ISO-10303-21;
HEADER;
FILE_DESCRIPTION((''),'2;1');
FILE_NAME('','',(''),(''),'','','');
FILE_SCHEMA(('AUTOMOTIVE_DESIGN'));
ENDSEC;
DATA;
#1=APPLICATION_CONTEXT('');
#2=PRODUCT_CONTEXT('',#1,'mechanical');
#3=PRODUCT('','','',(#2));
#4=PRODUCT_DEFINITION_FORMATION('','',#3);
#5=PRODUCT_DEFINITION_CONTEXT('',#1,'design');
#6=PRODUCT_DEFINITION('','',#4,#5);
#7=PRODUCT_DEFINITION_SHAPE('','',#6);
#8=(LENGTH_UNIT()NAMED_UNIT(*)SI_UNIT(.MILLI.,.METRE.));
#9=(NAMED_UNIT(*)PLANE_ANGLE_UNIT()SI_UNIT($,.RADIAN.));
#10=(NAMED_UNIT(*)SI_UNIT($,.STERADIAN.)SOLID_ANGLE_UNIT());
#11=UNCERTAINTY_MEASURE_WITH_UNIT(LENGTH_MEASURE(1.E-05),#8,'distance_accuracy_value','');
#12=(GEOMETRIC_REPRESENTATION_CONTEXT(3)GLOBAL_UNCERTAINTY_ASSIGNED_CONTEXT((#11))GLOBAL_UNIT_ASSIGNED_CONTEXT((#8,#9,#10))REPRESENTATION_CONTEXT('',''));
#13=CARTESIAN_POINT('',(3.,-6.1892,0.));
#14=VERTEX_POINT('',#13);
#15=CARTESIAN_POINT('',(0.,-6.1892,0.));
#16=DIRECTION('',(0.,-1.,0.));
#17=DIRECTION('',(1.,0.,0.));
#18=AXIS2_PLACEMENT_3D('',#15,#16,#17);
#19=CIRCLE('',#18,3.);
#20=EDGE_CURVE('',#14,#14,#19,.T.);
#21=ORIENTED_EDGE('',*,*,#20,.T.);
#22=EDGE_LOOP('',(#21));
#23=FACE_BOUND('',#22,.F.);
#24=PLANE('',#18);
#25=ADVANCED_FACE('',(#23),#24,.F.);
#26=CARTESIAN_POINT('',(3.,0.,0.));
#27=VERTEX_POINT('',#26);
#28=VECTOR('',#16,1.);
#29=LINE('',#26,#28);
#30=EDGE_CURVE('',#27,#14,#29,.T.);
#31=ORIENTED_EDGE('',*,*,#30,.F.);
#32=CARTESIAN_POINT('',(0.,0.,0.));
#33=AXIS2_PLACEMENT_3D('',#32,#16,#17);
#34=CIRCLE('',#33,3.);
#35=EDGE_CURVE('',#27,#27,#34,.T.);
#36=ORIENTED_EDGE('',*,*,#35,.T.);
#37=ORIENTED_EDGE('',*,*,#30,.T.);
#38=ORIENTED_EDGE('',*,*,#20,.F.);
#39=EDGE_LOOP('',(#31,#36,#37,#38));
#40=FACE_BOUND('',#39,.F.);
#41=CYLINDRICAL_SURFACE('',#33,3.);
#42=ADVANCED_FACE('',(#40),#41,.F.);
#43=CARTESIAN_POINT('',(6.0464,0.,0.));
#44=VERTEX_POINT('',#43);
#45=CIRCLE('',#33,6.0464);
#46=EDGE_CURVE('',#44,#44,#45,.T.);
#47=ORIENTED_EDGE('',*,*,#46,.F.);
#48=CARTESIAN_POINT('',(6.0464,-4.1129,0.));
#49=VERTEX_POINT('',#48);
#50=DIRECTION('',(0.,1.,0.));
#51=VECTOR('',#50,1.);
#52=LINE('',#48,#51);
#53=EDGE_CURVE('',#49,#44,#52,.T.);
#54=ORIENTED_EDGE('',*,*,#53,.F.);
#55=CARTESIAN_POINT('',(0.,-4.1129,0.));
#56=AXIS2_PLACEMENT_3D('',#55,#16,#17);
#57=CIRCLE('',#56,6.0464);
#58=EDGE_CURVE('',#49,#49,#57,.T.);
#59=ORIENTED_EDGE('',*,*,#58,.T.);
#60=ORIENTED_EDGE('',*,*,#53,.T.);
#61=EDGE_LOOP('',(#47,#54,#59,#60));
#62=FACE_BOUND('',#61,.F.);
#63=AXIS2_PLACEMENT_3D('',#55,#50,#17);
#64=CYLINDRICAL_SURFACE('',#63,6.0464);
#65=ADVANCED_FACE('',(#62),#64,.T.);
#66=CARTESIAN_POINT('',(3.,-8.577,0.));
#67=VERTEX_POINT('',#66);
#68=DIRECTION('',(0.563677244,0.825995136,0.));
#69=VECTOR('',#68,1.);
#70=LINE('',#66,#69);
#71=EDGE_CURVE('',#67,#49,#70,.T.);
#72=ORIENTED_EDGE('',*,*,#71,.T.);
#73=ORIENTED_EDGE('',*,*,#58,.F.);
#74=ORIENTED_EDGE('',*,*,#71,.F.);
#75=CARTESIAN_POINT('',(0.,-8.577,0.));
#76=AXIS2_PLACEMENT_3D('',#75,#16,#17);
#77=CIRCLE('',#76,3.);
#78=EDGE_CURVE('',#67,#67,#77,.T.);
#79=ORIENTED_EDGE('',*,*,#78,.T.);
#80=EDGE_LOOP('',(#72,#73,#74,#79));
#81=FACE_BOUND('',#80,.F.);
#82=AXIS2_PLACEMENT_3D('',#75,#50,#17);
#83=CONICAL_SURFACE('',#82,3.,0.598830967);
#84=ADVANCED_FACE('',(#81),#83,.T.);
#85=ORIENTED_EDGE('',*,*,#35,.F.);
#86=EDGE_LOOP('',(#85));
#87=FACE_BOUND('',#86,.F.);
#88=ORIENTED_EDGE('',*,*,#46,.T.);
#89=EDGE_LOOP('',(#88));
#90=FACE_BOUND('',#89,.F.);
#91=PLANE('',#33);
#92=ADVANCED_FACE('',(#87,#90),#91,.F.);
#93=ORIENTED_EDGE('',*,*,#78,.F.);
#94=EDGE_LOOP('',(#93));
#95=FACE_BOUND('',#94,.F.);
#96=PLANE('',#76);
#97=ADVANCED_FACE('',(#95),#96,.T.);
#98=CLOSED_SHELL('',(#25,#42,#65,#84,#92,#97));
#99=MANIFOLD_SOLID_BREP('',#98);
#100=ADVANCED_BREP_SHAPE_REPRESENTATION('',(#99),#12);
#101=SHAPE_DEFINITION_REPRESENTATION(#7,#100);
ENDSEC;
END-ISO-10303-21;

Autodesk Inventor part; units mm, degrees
ref_plane "YZ Plane" through (0, 0, 0) normal (1, 0, 0) x (0, 1, 0)
ref_plane "XZ Plane" through (0, 0, 0) normal (0, 1, 0) x (-1, 0, 0)
ref_plane "XY Plane" through (0, 0, 0) normal (0, 0, 1) x (1, 0, 0)
sketch "Sketch1" plane through (0, 0, 0) normal (0, 0, 1) x (1, 0, 0)
  line L0 (3, 0) -> (3, -6.1892)
  line L1 (3, -6.1892) -> (0, -6.1892)
  line L2 (0, -6.1892) -> (0, -8.577)
  line L3 (0, -8.577) -> (3, -8.577)
  line L4 (3, -8.577) -> (6.0464, -4.1129)
  line L5 (6.0464, -4.1129) -> (6.0464, 0)
  line L6 (6.0464, 0) -> (3, 0)
  point P0 (0, 0)
revolve "Revolution1" add sketch "Sketch1" angle 360 about axis through (0, -6.1892, 0) along (0, -1, 0)
thread "Thread1" size "M6x1" class "6H" standard "ANSI Metric M Profile" full length
properties part number "dickhead"
